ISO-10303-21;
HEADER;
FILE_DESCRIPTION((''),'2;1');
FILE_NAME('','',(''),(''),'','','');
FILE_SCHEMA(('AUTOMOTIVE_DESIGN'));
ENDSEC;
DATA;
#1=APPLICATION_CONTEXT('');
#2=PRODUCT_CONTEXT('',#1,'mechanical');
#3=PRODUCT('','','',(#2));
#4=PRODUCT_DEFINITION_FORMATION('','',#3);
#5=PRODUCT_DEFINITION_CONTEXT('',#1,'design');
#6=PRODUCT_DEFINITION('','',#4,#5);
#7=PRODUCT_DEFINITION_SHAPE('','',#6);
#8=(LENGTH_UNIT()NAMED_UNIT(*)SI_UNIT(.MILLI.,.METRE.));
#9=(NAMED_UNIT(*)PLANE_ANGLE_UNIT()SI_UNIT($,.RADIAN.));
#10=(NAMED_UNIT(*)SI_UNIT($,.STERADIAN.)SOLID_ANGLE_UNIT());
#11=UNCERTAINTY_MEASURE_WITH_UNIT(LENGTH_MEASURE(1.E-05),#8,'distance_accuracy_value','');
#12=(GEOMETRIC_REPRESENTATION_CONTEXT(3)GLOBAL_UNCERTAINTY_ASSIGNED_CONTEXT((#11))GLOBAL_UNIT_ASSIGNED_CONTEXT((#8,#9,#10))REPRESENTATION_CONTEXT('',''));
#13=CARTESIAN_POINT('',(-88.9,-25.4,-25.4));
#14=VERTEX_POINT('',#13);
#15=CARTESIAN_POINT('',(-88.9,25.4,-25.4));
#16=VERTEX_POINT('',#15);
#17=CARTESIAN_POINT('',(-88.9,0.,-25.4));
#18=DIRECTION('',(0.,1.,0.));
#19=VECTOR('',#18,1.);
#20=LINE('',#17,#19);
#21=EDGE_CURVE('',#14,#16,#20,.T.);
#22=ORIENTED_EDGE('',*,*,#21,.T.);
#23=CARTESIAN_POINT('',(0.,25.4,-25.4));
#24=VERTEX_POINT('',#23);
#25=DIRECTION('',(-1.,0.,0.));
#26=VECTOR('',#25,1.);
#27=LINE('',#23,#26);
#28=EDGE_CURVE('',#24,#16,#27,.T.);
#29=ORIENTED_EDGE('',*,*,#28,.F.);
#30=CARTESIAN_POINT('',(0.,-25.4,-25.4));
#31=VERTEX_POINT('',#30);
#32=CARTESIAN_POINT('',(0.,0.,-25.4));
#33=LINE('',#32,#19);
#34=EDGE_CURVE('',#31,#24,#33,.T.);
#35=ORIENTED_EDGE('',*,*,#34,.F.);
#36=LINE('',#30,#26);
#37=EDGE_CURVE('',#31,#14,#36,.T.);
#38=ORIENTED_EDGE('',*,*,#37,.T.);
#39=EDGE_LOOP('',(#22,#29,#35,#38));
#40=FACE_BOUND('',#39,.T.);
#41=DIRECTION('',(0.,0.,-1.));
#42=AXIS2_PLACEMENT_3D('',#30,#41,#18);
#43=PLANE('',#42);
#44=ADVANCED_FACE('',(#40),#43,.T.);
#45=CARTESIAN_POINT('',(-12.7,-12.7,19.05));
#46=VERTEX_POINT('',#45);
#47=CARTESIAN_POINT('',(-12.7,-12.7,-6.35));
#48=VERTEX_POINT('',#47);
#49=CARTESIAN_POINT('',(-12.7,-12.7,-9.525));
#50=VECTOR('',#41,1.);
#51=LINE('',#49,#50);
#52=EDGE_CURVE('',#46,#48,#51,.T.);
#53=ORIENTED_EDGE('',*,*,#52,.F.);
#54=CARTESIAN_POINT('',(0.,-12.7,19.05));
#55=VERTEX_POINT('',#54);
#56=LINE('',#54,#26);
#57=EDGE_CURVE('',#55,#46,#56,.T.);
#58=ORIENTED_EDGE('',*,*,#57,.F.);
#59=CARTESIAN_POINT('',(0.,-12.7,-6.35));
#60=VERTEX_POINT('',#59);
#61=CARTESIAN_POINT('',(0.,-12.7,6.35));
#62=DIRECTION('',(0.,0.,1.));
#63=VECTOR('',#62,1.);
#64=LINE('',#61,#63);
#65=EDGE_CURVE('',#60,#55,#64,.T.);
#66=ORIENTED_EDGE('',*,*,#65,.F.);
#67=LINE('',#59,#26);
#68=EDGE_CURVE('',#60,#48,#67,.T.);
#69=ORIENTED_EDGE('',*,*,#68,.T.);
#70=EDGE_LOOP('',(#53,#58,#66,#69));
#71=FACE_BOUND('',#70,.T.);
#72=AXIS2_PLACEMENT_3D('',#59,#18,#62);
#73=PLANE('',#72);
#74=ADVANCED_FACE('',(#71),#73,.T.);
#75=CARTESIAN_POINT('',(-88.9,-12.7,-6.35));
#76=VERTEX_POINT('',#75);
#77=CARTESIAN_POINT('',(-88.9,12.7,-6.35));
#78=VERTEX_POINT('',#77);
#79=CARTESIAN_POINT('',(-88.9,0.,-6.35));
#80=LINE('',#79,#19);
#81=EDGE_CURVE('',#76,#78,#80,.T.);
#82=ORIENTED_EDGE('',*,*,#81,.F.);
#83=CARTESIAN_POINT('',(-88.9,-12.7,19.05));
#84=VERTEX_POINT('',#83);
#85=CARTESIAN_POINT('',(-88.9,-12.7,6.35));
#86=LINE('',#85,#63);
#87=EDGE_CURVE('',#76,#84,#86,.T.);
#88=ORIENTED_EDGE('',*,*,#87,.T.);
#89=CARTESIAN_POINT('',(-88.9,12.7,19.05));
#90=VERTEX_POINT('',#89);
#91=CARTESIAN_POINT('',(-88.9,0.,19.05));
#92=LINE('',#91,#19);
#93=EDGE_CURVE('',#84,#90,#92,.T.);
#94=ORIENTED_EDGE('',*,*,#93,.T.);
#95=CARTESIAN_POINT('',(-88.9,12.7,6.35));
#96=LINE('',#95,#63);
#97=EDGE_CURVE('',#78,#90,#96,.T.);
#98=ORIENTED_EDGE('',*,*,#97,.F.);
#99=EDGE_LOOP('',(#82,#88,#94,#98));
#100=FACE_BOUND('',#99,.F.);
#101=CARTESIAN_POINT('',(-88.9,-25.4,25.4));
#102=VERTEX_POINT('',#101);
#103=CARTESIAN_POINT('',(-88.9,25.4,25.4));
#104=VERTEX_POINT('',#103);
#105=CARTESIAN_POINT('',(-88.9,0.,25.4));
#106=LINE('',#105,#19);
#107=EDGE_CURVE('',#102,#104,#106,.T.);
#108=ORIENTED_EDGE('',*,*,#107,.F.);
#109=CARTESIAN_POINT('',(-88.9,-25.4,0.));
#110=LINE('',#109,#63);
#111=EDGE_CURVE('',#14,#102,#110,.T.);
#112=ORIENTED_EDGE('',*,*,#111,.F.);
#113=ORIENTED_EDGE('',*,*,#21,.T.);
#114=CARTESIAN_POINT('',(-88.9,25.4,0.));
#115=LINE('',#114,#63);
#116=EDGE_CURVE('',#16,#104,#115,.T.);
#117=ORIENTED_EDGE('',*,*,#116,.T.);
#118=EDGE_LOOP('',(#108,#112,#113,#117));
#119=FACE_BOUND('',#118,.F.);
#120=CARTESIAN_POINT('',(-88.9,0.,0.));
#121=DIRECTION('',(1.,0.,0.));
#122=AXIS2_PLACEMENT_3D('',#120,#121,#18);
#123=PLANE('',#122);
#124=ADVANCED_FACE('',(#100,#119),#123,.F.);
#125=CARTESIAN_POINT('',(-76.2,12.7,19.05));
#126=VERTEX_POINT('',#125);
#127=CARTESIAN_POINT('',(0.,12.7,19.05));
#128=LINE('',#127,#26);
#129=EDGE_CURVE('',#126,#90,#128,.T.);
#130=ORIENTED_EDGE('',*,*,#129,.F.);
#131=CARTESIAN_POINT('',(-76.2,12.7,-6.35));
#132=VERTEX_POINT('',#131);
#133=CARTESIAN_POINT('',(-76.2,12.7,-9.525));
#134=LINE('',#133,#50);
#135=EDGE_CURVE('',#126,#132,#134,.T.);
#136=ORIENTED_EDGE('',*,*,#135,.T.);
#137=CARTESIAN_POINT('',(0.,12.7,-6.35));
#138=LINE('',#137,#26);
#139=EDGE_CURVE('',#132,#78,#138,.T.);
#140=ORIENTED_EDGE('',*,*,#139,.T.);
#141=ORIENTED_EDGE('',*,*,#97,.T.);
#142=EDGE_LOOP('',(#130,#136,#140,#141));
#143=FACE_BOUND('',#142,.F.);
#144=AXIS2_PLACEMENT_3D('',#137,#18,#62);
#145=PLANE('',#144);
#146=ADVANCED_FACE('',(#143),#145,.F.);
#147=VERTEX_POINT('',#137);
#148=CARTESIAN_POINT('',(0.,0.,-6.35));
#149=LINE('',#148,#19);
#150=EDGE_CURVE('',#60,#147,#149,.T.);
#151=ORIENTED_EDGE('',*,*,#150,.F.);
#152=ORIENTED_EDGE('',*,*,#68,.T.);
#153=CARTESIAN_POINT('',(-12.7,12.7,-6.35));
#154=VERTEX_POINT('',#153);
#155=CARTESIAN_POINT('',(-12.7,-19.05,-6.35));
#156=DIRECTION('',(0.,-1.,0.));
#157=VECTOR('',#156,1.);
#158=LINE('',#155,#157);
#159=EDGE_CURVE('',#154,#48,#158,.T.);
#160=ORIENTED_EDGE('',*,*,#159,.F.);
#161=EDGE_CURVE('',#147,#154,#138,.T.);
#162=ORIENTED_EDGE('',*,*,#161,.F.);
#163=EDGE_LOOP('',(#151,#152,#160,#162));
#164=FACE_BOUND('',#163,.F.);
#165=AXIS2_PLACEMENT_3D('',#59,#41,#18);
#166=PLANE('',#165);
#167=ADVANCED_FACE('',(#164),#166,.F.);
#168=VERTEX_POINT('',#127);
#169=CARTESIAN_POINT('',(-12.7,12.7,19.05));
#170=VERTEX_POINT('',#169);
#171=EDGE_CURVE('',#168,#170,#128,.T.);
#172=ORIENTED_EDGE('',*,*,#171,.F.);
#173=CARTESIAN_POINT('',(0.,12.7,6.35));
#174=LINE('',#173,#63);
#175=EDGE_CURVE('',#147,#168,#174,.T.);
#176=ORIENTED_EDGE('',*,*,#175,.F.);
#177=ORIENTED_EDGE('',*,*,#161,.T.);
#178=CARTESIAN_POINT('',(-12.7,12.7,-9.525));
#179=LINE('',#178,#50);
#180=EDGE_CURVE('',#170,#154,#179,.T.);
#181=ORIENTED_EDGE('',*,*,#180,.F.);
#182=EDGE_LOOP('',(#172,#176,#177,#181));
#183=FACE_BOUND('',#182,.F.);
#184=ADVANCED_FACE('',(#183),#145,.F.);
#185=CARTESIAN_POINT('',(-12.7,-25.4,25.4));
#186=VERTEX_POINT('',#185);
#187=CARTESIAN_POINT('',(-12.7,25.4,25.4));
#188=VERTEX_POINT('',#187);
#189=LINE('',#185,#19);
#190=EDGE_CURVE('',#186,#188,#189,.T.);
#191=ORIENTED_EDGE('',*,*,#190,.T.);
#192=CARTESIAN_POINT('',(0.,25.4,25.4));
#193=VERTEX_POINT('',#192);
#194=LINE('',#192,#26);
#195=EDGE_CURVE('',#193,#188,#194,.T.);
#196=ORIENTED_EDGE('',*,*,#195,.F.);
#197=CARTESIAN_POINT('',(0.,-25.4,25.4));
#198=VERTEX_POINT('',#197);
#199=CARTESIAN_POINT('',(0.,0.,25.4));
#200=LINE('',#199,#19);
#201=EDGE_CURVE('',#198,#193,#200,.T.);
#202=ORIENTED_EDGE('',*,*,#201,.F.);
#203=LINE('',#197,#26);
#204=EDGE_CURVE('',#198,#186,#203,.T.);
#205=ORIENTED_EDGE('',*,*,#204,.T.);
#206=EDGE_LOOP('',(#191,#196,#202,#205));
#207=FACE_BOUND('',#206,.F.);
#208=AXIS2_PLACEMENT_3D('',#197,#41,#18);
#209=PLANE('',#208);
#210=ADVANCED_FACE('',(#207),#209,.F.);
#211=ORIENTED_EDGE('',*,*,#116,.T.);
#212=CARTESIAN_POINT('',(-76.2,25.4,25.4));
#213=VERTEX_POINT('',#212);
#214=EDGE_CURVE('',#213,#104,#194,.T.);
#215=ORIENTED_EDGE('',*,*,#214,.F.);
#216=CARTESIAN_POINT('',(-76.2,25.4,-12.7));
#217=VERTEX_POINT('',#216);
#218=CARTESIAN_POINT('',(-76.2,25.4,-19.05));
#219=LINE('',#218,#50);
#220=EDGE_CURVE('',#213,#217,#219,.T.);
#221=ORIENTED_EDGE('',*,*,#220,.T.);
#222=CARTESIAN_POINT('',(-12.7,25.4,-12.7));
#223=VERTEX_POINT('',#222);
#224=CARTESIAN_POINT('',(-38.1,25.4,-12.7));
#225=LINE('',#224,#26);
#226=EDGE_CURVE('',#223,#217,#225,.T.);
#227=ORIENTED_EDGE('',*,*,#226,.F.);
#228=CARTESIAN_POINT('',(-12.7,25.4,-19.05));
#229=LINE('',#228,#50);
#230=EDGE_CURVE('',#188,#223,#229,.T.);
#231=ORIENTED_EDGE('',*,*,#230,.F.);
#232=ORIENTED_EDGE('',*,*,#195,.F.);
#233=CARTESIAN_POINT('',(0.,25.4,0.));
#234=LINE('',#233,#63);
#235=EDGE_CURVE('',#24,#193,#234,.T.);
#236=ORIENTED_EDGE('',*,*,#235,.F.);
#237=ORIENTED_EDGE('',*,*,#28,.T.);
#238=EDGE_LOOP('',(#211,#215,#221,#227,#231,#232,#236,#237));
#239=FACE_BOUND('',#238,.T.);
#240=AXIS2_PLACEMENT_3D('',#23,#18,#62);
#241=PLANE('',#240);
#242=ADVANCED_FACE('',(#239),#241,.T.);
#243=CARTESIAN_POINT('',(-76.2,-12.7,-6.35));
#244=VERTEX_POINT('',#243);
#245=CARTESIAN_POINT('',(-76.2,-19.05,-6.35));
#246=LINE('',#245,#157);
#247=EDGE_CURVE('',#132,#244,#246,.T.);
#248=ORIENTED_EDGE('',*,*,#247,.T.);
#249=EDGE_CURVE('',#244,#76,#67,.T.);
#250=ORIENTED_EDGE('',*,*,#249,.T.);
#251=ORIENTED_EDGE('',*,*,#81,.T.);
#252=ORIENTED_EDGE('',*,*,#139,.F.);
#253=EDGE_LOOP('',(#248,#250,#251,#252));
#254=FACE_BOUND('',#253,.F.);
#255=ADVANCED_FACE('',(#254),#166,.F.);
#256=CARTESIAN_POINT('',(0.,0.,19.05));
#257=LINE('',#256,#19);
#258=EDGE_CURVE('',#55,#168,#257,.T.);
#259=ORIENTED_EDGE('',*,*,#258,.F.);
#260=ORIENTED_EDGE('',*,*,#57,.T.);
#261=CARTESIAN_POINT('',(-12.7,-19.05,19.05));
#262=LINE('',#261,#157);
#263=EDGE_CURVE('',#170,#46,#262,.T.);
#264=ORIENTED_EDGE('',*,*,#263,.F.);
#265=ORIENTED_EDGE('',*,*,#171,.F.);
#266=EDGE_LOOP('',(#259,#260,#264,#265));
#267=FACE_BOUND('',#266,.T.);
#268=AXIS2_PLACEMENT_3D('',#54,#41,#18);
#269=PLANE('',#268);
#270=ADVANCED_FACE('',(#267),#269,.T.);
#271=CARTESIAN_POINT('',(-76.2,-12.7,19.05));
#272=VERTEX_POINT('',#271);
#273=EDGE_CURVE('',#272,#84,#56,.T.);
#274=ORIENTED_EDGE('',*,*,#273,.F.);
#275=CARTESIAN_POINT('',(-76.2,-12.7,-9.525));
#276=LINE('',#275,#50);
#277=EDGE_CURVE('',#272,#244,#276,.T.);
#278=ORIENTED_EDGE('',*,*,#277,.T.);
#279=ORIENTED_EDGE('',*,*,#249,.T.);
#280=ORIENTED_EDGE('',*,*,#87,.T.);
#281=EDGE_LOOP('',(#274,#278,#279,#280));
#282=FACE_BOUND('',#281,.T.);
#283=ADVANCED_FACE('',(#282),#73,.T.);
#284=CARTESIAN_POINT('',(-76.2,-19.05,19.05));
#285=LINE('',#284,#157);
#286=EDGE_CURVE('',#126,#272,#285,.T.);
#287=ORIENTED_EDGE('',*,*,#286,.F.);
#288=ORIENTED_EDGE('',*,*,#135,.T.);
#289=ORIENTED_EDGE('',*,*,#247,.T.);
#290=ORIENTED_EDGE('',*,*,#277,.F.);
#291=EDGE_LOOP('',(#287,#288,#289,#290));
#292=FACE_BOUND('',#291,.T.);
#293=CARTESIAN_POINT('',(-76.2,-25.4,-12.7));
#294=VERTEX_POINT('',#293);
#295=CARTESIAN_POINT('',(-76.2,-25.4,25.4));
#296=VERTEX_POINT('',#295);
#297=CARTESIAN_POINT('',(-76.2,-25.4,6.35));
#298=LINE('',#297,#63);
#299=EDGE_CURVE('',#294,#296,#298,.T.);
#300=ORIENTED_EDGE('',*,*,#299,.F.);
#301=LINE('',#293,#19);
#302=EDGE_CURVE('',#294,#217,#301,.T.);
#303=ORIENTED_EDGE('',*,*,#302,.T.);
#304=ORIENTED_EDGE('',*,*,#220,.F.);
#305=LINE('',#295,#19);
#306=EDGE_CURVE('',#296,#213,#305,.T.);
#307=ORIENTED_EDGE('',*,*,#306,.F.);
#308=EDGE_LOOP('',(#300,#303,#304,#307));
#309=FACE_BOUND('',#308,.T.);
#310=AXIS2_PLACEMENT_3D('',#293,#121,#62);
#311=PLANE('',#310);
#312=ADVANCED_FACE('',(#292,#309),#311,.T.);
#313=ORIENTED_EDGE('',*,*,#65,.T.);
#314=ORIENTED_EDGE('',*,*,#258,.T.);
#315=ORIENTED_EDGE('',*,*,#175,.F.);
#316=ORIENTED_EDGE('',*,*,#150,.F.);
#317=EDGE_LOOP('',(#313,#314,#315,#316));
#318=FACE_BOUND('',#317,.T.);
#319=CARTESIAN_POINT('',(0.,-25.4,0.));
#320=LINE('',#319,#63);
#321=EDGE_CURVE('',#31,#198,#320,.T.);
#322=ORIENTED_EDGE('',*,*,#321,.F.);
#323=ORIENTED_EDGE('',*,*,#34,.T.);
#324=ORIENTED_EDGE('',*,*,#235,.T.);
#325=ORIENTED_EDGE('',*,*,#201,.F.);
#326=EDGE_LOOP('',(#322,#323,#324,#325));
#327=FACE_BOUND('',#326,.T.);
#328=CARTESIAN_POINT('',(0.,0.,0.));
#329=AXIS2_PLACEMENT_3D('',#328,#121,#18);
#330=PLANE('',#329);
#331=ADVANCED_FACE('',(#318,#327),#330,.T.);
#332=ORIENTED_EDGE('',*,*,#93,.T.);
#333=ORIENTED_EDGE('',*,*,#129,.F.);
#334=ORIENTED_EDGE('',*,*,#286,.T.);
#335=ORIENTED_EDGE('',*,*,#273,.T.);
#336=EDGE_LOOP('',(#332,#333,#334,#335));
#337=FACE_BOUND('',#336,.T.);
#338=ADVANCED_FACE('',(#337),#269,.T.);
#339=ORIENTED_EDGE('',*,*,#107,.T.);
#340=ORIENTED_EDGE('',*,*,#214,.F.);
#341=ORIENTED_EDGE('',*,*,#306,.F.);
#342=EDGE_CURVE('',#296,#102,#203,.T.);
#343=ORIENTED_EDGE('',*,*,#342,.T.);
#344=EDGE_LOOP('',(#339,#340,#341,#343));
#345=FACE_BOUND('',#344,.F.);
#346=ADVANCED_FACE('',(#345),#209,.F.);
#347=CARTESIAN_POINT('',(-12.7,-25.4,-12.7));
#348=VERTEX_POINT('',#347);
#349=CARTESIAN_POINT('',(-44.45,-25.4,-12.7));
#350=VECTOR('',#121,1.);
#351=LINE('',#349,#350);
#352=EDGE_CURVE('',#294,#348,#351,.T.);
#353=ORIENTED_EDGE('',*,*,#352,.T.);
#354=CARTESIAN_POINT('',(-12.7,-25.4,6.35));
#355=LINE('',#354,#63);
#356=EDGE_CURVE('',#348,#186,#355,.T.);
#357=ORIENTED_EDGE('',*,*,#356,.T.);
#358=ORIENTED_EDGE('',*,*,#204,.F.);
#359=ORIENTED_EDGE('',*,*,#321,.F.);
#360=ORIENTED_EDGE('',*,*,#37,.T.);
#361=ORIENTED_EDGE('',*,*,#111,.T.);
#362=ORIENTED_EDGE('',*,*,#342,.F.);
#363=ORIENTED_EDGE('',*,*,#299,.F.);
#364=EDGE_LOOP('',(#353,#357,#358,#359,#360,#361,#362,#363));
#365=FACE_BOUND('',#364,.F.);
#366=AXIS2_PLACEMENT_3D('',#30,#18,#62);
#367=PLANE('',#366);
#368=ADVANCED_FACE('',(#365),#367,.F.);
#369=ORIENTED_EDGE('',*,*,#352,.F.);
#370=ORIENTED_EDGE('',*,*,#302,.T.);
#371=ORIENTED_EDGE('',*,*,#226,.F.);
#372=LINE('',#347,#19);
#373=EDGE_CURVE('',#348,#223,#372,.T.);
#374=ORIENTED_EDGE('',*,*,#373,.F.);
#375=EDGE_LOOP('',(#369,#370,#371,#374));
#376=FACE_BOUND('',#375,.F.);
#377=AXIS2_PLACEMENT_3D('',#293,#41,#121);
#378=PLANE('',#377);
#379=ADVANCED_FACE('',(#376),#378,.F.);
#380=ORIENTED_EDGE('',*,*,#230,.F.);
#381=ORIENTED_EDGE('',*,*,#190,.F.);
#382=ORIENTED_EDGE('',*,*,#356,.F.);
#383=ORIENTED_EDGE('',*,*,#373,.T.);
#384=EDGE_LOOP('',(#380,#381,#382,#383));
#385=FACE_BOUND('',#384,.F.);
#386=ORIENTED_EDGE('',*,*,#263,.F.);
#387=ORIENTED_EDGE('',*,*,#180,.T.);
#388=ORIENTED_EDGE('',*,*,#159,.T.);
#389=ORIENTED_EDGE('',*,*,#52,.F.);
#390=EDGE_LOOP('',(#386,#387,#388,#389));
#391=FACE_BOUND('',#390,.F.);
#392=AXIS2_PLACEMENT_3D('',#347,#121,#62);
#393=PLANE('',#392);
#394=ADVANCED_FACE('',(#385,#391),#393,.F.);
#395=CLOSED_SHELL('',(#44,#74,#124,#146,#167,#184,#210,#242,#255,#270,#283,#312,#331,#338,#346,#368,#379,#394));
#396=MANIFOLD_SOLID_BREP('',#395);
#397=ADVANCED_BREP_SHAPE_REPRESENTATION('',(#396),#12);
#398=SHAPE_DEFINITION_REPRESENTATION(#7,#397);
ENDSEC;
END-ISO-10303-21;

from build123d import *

# Parameters (mm, degrees)
F0_W     = 50.8
F0_H     = 50.8
F0_W_2   = 25.4
F0_H_2   = 25.4
F1_DEPTH = 88.9
F2_W     = 63.5
F2_H     = 38.1
F3_DEPTH = 50.801


with BuildPart() as f1:
    # F0 (on Right) → F1 (new body)
    with BuildSketch(Plane.YZ):
        Rectangle(F0_W, F0_H)
        with Locations((0, 6.35)):
            Rectangle(F0_W_2, F0_H_2, mode=Mode.SUBTRACT)
    extrude(amount=-F1_DEPTH)

    # F2 (on face) → F3 (cut, through all)
    with BuildSketch(Plane.XZ.offset(25.4)):
        with Locations((-44.45, 6.35)):
            Rectangle(F2_W, F2_H)
    extrude(amount=-F3_DEPTH, mode=Mode.SUBTRACT)


solid = f1.part
